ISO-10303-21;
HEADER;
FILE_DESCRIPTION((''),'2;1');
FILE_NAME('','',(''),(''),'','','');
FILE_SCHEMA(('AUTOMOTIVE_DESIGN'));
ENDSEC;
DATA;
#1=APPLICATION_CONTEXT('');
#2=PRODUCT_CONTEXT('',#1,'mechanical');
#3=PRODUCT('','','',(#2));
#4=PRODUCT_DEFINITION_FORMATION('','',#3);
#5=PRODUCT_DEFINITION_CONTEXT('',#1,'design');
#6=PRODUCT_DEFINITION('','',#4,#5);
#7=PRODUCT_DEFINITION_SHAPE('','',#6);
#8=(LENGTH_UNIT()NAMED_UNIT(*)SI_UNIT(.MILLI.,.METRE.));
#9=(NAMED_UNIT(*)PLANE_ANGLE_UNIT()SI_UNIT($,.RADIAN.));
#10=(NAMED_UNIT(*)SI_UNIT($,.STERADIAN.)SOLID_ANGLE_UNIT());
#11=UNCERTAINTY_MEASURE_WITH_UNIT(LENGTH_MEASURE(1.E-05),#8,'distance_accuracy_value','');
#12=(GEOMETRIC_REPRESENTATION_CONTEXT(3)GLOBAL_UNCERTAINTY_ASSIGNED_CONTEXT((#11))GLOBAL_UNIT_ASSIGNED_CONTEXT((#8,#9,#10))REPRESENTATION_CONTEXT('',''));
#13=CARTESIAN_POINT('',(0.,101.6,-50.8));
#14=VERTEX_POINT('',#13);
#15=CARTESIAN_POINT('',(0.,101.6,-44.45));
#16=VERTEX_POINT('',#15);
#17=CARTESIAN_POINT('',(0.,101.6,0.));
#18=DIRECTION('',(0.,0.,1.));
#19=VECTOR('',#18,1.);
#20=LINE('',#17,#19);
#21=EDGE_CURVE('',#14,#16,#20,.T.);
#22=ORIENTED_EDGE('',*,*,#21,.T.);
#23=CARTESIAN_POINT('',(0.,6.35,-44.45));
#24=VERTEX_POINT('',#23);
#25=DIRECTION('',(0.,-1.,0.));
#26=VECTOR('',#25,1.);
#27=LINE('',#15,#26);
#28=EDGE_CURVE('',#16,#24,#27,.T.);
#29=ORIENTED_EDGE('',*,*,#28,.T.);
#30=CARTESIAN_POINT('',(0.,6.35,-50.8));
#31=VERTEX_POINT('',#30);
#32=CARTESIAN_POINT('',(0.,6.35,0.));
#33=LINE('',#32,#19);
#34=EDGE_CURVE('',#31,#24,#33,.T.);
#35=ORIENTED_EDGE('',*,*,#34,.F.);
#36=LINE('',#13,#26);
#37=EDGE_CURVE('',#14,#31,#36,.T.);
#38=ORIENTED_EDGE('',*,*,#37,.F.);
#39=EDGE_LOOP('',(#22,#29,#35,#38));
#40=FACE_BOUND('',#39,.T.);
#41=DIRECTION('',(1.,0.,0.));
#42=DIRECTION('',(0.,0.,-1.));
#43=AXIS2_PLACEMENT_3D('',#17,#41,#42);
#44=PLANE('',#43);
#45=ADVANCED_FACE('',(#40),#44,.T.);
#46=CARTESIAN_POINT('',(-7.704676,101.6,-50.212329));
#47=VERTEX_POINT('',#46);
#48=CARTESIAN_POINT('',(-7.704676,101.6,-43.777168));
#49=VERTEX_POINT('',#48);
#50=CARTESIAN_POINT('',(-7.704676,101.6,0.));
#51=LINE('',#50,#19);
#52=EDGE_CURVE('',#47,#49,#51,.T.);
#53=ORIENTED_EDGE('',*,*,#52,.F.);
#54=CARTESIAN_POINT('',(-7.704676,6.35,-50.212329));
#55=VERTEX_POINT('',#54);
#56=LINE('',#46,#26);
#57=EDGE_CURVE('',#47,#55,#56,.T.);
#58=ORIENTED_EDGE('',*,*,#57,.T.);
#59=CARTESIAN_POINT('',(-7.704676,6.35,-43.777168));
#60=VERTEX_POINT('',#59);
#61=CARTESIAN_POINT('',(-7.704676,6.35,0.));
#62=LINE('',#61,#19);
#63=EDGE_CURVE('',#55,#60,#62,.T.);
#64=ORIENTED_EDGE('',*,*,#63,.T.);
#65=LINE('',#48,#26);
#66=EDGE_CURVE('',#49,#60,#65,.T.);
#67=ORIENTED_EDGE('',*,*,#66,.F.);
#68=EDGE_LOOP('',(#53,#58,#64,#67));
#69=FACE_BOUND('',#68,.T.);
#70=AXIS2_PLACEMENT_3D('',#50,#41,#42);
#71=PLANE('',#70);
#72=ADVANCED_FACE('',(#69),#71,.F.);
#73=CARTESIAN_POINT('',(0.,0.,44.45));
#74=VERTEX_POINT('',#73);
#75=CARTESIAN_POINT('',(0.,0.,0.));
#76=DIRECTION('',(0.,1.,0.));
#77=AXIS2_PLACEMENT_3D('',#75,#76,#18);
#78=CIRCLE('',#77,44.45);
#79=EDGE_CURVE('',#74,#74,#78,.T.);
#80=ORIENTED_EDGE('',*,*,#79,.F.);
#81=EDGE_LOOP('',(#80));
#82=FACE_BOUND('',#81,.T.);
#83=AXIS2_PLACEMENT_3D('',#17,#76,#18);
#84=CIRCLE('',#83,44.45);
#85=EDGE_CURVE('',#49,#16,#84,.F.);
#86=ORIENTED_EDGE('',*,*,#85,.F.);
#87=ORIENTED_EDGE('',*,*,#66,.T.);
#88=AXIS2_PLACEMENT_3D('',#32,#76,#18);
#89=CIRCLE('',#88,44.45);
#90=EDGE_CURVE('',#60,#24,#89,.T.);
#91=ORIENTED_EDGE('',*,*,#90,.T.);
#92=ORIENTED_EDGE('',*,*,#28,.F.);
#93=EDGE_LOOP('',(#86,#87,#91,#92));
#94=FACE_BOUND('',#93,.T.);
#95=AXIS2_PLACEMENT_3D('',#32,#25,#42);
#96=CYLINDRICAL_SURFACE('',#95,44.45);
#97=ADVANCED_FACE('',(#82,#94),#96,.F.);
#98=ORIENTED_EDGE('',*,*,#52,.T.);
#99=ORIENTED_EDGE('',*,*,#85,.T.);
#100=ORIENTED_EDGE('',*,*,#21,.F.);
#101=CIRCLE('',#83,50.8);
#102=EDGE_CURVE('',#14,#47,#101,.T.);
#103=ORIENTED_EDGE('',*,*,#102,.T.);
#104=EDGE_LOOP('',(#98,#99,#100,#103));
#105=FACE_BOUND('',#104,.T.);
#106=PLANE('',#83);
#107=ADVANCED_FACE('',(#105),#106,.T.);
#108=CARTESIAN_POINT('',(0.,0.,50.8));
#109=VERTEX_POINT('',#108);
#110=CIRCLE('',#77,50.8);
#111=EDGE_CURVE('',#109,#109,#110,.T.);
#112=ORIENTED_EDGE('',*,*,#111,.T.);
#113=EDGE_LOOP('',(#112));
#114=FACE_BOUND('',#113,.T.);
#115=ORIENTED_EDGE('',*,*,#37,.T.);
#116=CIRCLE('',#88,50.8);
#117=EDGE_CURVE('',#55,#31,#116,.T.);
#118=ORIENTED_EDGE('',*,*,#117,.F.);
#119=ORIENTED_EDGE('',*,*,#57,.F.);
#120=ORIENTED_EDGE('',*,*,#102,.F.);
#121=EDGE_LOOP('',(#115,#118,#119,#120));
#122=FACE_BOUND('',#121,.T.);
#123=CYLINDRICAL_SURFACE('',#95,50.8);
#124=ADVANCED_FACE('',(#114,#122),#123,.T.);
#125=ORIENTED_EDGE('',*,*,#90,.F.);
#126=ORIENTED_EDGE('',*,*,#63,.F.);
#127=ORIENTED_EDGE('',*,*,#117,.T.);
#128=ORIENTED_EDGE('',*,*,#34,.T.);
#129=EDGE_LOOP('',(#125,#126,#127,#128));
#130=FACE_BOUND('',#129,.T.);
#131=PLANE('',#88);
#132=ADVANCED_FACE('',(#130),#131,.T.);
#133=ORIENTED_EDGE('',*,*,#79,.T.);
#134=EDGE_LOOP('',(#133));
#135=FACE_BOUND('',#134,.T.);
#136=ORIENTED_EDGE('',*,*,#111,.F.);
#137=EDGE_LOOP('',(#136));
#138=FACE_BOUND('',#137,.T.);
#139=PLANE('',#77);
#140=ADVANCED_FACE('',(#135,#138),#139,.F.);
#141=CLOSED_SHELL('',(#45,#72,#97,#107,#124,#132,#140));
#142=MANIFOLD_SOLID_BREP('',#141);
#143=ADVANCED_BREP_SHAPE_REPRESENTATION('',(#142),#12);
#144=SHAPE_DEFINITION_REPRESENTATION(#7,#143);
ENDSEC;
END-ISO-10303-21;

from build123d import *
from build123d.topology import SkipClean

# Parameters (mm, degrees)
SKETCH1_R           = 50.8
SKETCH1_R_2         = 44.45
BOSS_EXTRUDE1_DEPTH = 6.35
BOSS_EXTRUDE2_DEPTH = 95.25


with BuildPart() as part:
    # Sketch1 → Boss-Extrude1 (new body)
    with BuildSketch(Plane(origin=(0, 0, 0), x_dir=(1, 0, 0), z_dir=(0, 1, 0))):
        with Locations(Location((0, 0, 0), (0, 0, 270))):
            Circle(SKETCH1_R)
        with Locations(Location((0, 0, 0), (0, 0, 270))):
            Circle(SKETCH1_R_2, mode=Mode.SUBTRACT)
    extrude(amount=BOSS_EXTRUDE1_DEPTH)

    # Sketch2 → Boss-Extrude2 (add)
    with SkipClean():  # the faces are left unmerged after this step: merging them gives an invalid solid
        with BuildSketch(Plane(origin=(0, 6.35, 0), x_dir=(1, 0, 0), z_dir=(0, 1, 0))):
            with BuildLine():
                ThreePointArc((0, 50.8), (-3.863527606, 50.652869163), (-7.704675524, 50.212328915))
                Line((-7.704675524, 50.212328915), (-7.704675524, 43.777168422))
                ThreePointArc((-7.704675524, 43.777168422), (-3.866999071, 44.281472629), (0, 44.45))
                Line((0, 44.45), (0, 50.8))
            make_face()
        extrude(amount=BOSS_EXTRUDE2_DEPTH)


solid = part.part
